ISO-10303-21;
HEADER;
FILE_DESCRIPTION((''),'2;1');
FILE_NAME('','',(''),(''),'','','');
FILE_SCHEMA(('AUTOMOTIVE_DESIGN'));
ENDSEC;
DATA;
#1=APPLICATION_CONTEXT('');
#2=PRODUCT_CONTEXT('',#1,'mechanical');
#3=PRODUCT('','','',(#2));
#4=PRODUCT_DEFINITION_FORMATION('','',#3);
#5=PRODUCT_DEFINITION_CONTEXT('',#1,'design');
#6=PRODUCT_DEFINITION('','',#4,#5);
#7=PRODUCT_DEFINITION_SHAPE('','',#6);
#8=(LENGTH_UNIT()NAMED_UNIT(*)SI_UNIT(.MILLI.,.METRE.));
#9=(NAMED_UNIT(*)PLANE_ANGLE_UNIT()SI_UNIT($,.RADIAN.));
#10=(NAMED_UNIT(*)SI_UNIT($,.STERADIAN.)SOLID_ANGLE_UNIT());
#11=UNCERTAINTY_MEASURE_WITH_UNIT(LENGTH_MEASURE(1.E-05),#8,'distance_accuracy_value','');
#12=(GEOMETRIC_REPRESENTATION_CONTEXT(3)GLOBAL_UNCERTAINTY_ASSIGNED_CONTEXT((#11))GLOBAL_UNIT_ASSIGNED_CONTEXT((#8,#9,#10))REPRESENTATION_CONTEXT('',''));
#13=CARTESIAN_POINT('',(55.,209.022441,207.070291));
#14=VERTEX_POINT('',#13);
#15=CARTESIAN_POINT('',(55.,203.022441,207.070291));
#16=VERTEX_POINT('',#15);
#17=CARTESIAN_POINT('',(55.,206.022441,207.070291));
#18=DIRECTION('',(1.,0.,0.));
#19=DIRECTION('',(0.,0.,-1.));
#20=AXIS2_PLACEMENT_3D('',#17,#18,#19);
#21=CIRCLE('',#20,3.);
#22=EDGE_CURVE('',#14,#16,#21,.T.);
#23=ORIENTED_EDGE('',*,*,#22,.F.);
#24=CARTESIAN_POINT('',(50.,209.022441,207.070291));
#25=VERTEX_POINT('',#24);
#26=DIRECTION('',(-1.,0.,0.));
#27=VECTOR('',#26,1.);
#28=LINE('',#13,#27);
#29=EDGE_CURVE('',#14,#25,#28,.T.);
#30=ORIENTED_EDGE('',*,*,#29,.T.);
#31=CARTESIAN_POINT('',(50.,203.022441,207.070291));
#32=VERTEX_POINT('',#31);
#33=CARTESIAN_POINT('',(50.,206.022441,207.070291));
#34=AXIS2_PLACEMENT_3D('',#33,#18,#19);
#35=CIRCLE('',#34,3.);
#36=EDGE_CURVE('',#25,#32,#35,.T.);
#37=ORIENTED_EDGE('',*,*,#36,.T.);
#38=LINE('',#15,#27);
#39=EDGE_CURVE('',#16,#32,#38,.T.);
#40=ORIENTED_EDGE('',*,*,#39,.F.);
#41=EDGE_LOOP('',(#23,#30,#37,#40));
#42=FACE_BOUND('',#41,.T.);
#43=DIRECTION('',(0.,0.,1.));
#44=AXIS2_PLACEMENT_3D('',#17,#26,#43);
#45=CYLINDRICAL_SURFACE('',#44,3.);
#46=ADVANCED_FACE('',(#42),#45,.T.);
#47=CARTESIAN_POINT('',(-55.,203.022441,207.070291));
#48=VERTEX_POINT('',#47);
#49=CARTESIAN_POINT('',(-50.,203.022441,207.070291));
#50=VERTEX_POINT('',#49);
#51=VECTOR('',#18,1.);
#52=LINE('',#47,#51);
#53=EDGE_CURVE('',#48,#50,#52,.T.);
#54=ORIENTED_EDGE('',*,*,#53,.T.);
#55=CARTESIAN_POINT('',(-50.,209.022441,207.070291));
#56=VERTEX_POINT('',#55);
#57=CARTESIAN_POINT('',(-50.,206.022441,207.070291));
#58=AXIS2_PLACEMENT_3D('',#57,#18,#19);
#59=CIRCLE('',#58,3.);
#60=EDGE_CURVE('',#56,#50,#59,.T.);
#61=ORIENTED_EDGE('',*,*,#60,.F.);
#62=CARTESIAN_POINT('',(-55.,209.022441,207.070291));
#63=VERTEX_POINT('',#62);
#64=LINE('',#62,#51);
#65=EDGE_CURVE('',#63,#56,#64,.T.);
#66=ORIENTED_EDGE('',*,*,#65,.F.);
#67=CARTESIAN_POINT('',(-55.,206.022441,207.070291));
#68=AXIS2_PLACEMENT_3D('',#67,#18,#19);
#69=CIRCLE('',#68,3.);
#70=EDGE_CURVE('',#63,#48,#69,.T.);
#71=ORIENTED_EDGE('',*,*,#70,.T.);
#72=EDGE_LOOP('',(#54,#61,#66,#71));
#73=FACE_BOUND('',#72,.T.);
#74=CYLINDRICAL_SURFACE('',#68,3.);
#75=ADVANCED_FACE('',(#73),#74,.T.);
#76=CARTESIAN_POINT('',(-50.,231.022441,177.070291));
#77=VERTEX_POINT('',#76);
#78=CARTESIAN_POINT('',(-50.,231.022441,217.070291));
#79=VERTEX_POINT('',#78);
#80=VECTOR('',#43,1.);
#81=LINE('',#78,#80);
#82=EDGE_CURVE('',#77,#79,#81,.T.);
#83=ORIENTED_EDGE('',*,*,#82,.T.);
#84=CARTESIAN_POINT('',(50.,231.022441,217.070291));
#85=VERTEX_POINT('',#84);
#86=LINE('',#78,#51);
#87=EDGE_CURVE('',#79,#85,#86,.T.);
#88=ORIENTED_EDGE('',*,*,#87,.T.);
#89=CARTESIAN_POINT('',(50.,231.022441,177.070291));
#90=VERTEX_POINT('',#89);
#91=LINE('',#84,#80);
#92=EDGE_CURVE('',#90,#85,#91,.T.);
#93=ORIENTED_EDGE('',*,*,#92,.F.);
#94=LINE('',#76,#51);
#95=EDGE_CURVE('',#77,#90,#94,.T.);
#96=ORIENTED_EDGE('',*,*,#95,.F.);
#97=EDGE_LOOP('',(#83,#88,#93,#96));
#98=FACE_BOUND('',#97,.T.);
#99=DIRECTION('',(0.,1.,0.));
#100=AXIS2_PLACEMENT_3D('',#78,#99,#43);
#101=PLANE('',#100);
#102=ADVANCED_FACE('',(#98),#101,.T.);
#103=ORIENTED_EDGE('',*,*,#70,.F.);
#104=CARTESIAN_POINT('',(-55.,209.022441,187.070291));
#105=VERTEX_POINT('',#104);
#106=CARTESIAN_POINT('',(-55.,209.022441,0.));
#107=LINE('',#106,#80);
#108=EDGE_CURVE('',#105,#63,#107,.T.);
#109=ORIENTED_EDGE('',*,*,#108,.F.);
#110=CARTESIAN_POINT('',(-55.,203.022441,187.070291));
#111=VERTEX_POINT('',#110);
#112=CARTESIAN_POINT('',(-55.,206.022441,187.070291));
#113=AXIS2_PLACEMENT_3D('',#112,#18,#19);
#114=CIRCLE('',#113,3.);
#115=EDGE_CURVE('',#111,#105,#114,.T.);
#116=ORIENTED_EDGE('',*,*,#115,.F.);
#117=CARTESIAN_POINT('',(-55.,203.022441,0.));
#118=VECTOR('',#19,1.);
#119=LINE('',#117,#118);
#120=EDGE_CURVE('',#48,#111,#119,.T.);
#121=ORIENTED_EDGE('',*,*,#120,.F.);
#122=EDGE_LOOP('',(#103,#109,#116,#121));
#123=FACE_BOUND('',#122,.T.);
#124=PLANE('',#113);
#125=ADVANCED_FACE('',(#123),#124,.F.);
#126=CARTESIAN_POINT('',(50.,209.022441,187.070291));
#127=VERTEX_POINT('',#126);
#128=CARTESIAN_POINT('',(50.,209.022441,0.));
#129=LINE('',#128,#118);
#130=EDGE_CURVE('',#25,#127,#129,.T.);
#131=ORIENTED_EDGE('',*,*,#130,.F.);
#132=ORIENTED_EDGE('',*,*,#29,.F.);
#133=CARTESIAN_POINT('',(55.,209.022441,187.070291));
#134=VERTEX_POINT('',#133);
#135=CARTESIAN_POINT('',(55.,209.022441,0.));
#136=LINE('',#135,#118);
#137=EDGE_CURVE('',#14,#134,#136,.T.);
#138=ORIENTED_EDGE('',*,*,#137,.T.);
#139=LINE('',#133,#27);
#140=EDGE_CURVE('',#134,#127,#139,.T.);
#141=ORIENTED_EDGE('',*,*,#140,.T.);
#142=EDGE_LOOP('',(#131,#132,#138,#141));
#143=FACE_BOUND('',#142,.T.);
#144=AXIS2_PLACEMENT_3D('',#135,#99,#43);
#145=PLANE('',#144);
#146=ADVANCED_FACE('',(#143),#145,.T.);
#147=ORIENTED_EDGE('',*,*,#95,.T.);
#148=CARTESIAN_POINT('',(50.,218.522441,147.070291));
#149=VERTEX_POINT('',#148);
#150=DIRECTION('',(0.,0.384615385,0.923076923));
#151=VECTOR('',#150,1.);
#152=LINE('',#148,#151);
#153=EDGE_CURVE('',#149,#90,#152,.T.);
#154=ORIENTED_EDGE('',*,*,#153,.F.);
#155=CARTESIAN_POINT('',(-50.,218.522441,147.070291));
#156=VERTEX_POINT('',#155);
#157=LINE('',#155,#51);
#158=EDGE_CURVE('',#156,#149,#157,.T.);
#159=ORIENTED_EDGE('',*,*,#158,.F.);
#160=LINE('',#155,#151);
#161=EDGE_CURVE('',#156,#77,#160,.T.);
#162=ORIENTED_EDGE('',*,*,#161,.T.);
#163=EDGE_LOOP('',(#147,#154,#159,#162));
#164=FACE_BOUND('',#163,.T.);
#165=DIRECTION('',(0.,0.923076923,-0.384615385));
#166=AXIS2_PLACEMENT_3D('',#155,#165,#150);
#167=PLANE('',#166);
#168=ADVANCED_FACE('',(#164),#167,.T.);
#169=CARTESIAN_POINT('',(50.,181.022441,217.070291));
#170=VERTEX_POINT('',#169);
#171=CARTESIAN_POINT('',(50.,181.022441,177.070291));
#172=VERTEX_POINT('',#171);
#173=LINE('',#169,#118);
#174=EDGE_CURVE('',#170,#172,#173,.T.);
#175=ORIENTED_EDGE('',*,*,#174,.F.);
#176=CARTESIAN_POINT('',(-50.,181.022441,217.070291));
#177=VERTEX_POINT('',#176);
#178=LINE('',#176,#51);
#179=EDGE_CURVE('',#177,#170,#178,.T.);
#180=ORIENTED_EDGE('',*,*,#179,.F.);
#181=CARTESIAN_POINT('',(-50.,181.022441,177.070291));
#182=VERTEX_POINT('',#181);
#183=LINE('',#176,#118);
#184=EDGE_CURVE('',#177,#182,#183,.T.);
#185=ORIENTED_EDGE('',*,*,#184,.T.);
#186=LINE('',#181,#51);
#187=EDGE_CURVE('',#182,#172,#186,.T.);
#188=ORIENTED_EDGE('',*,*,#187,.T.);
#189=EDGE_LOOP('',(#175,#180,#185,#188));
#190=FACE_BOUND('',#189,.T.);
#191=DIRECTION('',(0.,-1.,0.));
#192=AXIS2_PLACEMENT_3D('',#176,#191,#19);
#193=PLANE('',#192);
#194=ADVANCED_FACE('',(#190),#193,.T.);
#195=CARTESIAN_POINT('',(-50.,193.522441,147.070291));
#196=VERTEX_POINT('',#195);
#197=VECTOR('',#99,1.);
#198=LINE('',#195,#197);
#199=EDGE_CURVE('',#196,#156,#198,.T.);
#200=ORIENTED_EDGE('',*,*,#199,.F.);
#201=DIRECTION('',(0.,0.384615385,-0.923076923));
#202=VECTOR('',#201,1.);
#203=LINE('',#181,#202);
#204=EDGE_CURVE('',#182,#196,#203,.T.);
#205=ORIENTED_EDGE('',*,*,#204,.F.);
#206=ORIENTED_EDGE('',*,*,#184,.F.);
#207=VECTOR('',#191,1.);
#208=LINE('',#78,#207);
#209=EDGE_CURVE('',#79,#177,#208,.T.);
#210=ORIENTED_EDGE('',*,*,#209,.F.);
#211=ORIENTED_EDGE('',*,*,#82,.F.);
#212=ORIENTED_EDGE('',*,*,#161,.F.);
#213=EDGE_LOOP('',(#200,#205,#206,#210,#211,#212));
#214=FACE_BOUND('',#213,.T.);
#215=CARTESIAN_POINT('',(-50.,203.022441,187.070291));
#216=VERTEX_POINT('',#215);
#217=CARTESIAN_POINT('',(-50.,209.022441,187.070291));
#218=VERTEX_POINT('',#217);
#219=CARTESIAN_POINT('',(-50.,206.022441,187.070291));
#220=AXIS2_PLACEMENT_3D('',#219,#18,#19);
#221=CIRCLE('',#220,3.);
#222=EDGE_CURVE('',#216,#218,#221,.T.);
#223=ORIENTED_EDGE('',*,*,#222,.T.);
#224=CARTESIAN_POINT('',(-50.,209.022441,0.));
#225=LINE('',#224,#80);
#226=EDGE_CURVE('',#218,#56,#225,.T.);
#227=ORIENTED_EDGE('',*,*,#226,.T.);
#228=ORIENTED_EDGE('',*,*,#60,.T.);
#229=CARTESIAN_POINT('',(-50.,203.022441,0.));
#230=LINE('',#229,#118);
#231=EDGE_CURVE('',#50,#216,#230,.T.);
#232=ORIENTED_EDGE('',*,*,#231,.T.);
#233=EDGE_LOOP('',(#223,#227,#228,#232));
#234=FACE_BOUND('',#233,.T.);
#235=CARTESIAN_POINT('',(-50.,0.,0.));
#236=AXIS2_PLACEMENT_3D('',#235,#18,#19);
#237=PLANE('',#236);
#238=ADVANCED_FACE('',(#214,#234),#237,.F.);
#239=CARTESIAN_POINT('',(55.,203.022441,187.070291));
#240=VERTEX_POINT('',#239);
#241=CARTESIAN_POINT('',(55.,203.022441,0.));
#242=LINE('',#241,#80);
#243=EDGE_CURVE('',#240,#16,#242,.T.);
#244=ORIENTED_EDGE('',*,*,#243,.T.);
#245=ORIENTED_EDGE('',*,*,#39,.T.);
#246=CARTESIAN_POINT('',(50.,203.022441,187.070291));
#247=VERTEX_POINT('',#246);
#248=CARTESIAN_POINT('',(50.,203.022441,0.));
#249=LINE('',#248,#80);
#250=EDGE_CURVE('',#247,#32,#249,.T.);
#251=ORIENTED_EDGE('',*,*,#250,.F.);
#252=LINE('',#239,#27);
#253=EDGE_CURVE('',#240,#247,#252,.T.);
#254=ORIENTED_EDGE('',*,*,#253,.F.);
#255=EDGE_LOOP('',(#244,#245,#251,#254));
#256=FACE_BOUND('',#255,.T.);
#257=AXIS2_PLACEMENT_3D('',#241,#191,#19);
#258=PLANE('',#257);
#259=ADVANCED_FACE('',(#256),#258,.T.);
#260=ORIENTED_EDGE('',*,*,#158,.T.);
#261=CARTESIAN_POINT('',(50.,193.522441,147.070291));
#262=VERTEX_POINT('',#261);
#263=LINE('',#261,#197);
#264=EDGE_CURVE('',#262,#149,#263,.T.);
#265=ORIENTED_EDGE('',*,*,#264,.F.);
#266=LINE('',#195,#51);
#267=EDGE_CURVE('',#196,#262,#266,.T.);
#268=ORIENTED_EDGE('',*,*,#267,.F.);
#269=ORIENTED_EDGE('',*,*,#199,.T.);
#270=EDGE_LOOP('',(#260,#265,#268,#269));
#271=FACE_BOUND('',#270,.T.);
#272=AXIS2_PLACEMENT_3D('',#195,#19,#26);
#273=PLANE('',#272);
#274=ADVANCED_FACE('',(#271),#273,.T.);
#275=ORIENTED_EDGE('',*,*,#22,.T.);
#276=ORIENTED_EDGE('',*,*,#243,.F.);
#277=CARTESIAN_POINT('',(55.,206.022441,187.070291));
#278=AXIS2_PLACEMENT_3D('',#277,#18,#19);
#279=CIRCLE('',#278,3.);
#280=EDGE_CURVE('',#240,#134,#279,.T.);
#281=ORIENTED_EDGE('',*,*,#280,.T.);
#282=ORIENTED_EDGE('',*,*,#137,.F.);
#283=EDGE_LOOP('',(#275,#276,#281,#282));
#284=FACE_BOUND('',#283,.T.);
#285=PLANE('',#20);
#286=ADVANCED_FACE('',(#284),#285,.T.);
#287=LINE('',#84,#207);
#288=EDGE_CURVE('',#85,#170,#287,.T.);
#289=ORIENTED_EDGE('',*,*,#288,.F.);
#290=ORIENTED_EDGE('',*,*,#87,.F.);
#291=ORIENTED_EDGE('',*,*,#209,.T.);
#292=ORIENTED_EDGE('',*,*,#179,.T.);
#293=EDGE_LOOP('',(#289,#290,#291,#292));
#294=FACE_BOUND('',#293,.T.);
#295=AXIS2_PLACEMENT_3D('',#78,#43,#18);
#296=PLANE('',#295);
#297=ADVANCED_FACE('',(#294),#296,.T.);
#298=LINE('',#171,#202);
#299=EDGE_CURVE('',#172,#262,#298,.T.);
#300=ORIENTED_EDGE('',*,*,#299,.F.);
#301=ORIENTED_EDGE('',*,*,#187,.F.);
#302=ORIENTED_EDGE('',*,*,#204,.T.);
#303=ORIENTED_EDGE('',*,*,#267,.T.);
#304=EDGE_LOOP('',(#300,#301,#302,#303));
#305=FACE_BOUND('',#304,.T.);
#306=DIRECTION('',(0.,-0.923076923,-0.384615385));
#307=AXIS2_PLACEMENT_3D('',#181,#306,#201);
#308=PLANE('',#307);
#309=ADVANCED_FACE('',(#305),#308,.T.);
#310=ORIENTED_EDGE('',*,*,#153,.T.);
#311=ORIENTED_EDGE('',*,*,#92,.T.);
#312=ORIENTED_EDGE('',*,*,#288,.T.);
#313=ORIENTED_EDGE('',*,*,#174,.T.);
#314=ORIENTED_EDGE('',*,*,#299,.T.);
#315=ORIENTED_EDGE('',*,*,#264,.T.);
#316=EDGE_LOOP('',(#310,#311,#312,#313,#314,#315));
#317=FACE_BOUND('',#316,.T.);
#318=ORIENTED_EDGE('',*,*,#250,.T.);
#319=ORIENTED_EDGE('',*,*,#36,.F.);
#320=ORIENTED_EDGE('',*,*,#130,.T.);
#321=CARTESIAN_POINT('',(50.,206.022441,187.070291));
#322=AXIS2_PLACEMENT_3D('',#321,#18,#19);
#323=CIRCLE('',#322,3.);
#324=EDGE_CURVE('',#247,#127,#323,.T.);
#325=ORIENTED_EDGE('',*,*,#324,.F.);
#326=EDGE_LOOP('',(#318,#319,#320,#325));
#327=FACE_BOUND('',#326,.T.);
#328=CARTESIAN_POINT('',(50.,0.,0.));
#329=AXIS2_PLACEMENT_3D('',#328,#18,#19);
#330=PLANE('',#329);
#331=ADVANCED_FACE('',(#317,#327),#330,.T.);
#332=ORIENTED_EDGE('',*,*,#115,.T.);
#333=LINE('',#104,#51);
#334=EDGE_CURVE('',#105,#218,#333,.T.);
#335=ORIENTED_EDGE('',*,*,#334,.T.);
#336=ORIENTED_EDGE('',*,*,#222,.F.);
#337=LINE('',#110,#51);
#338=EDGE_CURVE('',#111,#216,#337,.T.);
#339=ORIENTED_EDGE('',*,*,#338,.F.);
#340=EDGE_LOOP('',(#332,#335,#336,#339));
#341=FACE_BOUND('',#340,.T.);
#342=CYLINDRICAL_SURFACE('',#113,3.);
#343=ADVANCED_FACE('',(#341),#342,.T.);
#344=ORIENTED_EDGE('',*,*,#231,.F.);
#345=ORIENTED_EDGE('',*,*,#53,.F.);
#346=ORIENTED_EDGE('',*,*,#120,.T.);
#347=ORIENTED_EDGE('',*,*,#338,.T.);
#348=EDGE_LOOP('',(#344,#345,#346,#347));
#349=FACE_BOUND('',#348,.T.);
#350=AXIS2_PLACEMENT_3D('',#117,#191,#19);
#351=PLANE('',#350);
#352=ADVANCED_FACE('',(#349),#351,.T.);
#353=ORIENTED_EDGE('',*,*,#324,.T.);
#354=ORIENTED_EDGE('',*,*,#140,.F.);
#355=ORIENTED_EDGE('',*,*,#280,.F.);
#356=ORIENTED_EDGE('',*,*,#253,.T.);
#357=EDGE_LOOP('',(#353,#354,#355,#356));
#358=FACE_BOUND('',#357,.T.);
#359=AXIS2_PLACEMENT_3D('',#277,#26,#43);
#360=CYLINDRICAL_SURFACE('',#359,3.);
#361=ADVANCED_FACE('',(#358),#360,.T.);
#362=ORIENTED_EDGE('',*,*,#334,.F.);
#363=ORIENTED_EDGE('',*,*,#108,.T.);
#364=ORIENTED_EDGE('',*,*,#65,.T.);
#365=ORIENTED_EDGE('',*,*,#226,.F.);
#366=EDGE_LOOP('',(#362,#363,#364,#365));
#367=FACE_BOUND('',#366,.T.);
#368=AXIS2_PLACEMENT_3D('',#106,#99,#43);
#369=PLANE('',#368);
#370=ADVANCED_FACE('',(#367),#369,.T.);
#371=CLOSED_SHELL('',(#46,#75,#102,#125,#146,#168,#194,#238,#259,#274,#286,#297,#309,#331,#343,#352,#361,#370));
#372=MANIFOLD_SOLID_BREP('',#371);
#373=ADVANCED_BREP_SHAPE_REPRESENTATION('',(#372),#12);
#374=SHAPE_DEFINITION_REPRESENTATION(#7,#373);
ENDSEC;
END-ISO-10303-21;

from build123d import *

# Parameters (mm, degrees)
BOSS_EXTRUDE1_DEPTH      = 50
BOSS_EXTRUDE1_DEPTH_BACK = 50
BOSS_EXTRUDE2_START      = 50
BOSS_EXTRUDE2_DEPTH      = 5
BOSS_EXTRUDE3_START      = -55
BOSS_EXTRUDE3_DEPTH      = 5


with BuildPart() as part:
    # Sketch2 → Boss-Extrude1 (new, two sides: drawn at the far end of the back side and taken through both)
    with BuildSketch(Plane(origin=(0, 0, 0), x_dir=(0, 0, -1), z_dir=(1, 0, 0)).offset(-BOSS_EXTRUDE1_DEPTH_BACK)):
        Polygon((-147.070290747, 193.522440667), (-147.070290747, 218.522440667), (-177.070290747, 231.022440667), (-217.070290747, 231.022440667), (-217.070290747, 181.022440667), (-177.070290747, 181.022440667), align=None)
    extrude(amount=BOSS_EXTRUDE1_DEPTH + BOSS_EXTRUDE1_DEPTH_BACK)

    # Sketch3 → Boss-Extrude2 (add)
    with BuildSketch(Plane(origin=(0, 0, 0), x_dir=(0, 0, -1), z_dir=(1, 0, 0)).offset(BOSS_EXTRUDE2_START)):
        with BuildLine():
            Line((-207.070290747, 203.022440667), (-187.070290747, 203.022440667))
            ThreePointArc((-187.070290747, 203.022440667), (-184.070290747, 206.022440667), (-187.070290747, 209.022440667))
            Line((-187.070290747, 209.022440667), (-207.070290747, 209.022440667))
            ThreePointArc((-207.070290747, 209.022440667), (-210.070290747, 206.022440667), (-207.070290747, 203.022440667))
        make_face()
    extrude(amount=BOSS_EXTRUDE2_DEPTH)

    # Sketch3<2> → Boss-Extrude3 (add)
    with BuildSketch(Plane(origin=(0, 0, 0), x_dir=(0, 0, -1), z_dir=(1, 0, 0)).offset(BOSS_EXTRUDE3_START)):
        with BuildLine():
            Line((-207.070290747, 203.022440667), (-187.070290747, 203.022440667))
            ThreePointArc((-187.070290747, 203.022440667), (-184.070290747, 206.022440667), (-187.070290747, 209.022440667))
            Line((-187.070290747, 209.022440667), (-207.070290747, 209.022440667))
            ThreePointArc((-207.070290747, 209.022440667), (-210.070290747, 206.022440667), (-207.070290747, 203.022440667))
        make_face()
    extrude(amount=BOSS_EXTRUDE3_DEPTH)


solid = part.part
